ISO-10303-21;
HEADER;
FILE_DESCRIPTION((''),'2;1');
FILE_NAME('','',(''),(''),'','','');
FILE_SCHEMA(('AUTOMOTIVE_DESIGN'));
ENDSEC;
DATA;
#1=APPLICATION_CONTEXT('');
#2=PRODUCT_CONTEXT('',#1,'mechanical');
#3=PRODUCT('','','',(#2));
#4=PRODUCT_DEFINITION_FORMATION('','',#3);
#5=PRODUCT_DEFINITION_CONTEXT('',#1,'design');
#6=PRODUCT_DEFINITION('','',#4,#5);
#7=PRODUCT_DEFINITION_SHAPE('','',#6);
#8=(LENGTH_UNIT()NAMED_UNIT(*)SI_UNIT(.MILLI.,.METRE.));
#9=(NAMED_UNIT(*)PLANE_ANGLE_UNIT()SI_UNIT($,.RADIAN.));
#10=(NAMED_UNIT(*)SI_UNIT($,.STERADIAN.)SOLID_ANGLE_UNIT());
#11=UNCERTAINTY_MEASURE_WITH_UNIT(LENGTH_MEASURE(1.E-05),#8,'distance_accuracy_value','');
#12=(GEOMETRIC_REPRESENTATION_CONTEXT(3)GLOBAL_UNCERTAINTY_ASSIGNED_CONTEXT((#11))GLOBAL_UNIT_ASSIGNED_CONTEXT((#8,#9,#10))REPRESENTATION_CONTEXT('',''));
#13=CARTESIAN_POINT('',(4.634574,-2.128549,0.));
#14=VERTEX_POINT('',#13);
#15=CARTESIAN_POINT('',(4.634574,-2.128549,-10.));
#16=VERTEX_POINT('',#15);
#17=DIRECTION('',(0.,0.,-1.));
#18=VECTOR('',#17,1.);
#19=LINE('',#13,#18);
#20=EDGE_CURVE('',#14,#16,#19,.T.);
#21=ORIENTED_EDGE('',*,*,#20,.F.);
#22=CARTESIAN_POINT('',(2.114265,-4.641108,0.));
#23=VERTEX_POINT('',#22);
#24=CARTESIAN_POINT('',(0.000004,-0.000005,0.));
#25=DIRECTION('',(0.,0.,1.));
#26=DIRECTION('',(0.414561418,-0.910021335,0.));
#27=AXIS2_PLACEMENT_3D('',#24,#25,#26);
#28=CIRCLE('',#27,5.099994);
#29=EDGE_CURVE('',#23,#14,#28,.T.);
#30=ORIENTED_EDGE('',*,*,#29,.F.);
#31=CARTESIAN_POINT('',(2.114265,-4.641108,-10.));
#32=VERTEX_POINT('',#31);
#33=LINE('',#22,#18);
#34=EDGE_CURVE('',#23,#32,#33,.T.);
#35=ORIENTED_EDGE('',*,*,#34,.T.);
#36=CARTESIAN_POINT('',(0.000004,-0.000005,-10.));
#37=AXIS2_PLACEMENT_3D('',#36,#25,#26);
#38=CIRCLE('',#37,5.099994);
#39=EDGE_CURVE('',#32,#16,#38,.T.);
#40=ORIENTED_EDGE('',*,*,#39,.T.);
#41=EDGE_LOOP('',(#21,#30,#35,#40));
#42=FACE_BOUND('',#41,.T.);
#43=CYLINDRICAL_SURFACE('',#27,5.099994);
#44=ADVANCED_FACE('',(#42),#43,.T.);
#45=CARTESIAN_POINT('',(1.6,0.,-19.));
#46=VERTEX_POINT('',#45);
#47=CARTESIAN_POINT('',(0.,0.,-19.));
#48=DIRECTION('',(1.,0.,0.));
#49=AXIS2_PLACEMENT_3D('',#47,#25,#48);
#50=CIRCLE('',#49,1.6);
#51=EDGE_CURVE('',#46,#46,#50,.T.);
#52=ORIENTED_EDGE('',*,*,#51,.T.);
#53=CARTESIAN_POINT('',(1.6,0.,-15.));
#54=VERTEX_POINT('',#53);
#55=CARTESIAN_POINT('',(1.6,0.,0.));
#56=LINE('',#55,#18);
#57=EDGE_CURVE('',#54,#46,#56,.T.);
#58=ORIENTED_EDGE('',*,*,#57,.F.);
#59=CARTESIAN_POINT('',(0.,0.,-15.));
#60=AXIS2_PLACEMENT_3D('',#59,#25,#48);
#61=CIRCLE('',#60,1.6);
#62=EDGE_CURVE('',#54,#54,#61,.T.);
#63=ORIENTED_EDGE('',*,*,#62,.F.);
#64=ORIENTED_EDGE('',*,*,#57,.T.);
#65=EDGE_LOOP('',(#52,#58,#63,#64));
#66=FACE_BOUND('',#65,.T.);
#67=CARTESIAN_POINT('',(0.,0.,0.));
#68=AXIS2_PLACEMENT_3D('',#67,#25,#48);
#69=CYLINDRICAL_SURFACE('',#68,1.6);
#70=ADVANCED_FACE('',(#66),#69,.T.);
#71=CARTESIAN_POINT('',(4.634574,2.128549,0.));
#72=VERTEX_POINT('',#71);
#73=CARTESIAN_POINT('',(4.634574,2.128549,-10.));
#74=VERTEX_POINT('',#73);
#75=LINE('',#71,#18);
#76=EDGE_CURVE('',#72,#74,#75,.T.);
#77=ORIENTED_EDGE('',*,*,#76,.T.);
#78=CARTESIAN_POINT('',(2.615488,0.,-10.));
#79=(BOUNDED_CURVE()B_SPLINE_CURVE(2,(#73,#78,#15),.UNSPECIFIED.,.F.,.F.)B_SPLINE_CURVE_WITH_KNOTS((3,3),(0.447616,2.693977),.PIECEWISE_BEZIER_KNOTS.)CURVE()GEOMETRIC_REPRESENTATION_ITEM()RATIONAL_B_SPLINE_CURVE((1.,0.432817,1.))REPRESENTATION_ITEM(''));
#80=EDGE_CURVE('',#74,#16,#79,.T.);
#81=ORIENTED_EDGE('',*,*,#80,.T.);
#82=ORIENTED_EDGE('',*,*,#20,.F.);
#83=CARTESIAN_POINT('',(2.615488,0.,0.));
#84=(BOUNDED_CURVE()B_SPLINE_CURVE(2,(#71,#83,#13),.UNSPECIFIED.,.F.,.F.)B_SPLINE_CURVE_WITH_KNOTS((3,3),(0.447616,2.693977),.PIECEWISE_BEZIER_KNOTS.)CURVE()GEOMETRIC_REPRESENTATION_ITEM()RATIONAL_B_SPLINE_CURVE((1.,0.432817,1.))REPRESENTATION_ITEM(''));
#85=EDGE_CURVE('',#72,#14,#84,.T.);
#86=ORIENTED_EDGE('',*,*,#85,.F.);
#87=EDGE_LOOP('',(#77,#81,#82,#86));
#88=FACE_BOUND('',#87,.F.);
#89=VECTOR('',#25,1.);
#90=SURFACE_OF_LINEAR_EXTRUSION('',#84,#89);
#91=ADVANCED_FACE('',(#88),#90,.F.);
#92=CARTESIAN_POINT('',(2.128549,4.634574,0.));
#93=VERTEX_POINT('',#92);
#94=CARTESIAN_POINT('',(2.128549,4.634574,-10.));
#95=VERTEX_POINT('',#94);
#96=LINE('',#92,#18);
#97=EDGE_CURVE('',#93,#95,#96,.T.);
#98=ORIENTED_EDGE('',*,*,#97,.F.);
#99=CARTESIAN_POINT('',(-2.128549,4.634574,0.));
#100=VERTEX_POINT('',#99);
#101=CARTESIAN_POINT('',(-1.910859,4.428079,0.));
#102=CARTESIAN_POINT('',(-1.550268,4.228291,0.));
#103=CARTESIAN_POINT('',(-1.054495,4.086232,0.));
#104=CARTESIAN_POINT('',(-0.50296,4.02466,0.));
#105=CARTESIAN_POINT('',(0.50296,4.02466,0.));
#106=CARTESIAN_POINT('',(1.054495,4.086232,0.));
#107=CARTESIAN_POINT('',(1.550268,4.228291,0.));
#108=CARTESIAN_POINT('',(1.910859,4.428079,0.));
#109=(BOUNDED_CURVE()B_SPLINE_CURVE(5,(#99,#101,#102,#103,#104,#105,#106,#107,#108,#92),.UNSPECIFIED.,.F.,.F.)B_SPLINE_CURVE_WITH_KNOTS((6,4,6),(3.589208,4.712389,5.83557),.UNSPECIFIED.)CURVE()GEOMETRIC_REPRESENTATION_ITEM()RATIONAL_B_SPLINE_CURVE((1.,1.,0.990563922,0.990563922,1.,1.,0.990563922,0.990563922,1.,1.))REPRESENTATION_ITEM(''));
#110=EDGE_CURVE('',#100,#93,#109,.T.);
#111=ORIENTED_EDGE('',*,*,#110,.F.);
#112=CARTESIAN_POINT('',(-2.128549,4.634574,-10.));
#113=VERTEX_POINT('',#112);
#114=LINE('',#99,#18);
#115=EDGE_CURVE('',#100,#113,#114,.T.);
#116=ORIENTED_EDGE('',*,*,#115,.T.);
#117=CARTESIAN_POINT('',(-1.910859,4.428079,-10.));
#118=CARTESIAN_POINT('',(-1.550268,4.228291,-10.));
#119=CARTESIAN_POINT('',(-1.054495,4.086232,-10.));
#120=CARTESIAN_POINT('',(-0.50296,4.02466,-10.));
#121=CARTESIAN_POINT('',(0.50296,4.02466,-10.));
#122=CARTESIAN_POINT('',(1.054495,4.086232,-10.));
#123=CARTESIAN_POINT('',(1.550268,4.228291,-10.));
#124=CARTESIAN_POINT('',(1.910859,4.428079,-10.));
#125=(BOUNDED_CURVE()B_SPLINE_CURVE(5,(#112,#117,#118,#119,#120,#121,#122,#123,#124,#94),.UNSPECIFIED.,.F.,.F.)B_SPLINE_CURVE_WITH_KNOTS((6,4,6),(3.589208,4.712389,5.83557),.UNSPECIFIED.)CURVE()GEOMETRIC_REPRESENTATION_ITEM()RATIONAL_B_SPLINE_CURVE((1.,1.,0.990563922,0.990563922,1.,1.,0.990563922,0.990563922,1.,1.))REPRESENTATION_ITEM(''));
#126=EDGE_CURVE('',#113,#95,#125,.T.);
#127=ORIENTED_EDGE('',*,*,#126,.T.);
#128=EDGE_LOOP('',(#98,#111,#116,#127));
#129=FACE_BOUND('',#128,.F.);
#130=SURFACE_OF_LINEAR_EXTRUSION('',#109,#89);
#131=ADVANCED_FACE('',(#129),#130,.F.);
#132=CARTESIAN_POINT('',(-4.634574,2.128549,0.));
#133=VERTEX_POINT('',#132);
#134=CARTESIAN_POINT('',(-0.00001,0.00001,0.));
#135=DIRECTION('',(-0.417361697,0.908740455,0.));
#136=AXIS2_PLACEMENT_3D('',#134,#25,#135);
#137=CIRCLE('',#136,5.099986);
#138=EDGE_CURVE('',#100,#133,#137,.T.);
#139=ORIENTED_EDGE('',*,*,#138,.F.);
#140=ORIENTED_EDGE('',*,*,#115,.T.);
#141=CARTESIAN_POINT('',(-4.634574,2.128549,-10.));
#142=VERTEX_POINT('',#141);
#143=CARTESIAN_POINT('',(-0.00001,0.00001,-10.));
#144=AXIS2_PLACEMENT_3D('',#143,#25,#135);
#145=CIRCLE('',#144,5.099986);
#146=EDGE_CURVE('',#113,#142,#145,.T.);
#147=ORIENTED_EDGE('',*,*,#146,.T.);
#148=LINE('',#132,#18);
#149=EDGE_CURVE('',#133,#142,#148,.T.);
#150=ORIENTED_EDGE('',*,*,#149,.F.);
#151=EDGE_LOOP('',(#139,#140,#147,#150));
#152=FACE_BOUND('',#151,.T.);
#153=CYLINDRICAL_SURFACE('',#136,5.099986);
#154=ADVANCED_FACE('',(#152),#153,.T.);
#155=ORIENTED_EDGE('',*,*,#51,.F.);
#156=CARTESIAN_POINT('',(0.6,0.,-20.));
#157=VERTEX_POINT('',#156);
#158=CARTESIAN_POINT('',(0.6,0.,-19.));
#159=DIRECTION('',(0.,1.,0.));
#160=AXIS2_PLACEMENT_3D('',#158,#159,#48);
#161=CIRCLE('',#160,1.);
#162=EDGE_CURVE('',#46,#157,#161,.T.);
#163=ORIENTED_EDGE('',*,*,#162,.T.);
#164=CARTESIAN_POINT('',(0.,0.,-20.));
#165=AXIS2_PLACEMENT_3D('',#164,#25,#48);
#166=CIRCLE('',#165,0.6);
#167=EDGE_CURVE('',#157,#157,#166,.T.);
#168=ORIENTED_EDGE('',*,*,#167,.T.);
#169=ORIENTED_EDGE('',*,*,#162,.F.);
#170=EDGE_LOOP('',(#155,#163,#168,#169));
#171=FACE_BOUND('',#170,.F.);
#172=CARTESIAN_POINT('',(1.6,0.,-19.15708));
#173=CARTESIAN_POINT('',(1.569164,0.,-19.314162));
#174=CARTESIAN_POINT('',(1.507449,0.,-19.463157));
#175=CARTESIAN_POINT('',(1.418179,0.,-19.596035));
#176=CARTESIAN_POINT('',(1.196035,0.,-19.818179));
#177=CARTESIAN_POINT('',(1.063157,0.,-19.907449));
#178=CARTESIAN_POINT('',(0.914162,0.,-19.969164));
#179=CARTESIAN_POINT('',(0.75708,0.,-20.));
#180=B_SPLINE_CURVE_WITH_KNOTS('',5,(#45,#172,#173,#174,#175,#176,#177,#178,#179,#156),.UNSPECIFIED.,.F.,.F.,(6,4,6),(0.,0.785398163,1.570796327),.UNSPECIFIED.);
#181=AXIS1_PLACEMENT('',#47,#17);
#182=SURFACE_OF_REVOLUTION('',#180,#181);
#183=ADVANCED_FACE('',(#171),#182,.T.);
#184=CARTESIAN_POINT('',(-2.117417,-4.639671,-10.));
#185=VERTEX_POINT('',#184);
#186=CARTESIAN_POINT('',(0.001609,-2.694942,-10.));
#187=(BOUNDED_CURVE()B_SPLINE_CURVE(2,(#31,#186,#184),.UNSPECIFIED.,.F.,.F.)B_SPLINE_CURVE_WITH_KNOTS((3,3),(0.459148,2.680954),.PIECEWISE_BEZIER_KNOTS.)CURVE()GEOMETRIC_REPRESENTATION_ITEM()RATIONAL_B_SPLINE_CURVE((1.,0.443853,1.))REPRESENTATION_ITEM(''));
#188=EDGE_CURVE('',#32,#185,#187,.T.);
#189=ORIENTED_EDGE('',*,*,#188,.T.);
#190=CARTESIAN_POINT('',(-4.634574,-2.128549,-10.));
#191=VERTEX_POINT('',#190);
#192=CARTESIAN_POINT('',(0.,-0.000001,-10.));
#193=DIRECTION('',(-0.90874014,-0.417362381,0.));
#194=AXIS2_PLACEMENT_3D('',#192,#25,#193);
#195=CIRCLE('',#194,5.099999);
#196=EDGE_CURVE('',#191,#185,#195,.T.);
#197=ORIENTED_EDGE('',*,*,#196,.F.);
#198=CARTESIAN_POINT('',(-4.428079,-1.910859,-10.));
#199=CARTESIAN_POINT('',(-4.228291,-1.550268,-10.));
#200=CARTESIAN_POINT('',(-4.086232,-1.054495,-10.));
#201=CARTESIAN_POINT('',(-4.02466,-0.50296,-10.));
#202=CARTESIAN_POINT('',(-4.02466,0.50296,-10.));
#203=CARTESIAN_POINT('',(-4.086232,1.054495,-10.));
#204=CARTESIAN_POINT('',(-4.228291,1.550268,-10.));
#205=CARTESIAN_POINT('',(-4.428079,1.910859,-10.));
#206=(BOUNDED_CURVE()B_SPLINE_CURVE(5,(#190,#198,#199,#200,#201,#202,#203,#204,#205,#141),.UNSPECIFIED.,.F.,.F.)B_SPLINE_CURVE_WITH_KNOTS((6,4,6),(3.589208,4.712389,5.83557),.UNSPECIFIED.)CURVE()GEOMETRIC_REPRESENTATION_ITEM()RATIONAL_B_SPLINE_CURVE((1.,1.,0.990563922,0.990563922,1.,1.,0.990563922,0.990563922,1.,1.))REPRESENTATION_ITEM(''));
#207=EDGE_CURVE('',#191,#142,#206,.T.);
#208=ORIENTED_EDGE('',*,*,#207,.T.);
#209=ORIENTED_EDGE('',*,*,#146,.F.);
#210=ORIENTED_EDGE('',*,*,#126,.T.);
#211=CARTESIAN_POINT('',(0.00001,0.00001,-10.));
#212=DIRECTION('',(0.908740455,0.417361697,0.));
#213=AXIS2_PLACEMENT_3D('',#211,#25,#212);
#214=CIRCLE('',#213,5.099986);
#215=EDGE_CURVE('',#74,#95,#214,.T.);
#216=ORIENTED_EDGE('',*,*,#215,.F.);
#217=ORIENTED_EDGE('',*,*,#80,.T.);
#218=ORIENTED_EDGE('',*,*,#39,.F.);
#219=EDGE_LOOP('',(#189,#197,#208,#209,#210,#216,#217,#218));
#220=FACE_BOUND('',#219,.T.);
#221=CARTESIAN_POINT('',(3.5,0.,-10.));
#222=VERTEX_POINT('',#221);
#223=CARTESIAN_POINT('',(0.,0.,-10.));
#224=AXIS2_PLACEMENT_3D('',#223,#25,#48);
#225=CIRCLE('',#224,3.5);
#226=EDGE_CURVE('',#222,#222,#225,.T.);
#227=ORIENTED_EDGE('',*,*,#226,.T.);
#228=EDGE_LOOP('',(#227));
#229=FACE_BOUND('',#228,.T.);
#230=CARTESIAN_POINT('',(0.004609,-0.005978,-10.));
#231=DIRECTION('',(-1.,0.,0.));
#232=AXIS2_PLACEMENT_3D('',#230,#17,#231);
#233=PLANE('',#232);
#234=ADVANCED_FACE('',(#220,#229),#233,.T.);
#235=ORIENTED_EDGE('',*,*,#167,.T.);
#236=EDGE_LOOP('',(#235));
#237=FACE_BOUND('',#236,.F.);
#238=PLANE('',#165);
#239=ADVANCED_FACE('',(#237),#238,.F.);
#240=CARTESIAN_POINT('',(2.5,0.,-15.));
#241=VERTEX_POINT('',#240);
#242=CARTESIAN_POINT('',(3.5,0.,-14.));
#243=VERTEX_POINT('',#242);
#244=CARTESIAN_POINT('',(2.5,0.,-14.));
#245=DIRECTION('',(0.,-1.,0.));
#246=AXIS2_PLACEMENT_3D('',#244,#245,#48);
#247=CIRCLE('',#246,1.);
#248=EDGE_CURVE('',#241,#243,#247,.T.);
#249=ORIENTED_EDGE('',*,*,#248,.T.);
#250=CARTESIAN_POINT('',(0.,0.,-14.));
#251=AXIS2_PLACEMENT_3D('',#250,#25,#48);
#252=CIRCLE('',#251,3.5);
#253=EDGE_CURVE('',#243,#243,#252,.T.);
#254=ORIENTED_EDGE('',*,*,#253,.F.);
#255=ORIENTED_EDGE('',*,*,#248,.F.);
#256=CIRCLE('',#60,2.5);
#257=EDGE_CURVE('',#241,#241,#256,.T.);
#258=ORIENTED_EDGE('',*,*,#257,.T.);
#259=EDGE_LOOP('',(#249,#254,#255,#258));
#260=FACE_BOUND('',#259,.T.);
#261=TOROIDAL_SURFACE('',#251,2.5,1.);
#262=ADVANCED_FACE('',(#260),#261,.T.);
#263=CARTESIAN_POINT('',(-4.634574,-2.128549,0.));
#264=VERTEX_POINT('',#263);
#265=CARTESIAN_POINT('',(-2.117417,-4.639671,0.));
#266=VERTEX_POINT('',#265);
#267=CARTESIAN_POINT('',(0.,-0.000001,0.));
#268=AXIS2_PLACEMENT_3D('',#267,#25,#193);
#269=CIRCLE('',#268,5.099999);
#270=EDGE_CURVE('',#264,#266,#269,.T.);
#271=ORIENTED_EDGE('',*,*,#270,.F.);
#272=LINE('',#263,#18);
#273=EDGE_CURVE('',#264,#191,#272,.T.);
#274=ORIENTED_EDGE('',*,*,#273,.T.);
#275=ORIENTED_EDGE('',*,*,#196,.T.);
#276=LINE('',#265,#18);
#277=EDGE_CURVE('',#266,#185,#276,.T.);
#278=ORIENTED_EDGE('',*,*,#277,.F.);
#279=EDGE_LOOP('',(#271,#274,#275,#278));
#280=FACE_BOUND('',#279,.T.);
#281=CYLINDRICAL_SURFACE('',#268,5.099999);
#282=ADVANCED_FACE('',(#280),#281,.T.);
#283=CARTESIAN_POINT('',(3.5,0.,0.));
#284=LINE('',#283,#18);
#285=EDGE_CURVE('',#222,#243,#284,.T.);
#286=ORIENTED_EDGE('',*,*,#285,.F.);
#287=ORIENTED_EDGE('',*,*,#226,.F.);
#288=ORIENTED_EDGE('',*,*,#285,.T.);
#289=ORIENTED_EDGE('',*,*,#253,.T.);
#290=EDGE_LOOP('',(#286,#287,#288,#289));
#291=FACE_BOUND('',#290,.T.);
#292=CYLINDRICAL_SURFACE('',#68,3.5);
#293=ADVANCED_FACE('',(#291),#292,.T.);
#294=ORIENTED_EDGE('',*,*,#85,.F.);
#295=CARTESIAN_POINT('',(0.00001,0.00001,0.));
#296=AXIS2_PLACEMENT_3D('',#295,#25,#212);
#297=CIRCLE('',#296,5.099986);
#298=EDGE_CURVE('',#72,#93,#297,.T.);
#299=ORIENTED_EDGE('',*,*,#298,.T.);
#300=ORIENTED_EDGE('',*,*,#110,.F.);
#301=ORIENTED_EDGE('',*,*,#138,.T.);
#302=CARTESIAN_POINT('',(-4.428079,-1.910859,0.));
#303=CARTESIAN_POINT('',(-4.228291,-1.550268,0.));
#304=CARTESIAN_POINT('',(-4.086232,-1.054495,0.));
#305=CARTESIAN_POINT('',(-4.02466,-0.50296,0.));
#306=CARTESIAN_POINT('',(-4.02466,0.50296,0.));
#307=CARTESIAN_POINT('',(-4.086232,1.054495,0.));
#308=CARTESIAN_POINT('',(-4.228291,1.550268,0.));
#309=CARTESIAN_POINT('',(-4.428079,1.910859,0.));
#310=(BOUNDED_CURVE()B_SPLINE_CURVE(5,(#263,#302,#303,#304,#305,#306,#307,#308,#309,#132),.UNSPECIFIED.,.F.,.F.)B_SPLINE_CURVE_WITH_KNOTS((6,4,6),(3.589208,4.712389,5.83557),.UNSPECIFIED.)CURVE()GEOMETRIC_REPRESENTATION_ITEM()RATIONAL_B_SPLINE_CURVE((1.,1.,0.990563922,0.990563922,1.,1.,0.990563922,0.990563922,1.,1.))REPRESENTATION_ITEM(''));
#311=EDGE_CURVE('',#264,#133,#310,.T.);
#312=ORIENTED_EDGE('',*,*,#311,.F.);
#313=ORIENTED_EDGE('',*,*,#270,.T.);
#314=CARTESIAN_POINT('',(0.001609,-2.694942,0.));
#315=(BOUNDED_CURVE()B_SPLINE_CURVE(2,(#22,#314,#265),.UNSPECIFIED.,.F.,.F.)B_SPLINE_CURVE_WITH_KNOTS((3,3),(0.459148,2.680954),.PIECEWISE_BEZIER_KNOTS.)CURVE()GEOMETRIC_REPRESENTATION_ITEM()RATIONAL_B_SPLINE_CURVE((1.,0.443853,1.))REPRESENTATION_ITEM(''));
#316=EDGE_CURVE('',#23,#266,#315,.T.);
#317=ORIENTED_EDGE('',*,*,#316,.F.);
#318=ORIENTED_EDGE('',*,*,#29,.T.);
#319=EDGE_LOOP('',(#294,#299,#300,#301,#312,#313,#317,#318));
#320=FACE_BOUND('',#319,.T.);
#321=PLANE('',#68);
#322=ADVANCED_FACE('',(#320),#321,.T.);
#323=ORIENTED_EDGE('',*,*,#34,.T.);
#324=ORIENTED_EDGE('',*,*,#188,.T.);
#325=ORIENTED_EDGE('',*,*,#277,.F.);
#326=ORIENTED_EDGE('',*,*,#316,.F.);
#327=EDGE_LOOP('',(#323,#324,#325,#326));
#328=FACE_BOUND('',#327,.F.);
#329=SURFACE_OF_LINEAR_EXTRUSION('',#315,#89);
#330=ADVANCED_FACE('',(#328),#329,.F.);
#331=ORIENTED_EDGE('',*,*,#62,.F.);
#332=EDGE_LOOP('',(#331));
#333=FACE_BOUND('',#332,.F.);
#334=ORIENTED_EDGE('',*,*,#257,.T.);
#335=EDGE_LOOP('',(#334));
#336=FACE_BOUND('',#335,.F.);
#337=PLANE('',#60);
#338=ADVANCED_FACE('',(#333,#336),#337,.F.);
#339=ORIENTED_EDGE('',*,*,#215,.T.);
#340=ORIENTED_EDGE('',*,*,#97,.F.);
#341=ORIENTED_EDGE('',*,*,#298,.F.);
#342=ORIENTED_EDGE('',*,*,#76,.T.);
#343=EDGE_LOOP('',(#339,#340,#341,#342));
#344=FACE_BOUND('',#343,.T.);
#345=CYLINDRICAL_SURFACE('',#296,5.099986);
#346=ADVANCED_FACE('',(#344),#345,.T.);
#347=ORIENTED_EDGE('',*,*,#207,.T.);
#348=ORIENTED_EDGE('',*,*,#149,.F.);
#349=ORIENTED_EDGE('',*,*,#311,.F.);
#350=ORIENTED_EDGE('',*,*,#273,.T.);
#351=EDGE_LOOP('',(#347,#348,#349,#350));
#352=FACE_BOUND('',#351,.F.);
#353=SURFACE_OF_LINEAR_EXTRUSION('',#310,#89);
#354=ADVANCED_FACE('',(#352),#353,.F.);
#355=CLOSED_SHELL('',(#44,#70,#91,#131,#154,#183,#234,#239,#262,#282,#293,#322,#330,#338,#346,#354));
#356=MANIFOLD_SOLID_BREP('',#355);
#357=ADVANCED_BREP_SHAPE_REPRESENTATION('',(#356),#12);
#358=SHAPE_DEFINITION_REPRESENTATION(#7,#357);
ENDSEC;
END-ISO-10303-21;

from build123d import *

# Parameters (mm, degrees)
F0_R     = 3.5
F0_R_2   = 1.6
F1_DEPTH = 10
F2_DEPTH = 15
F3_DEPTH = 20
F4_R     = 1
F5_R     = 1


with BuildPart() as f1:
    # F0 (on Top) → F1 (new body)
    with BuildSketch(Plane.XY):
        with BuildLine():
            add(Edge.make_bspline(
                [(4.634574, 2.128549), (2.615488, 0), (4.634574, -2.128549)],
                knots=[0.447616, 0.447616, 0.447616, 2.693977, 2.693977, 2.693977], degree=2, weights=[1, 0.432817, 1]))
            ThreePointArc((4.634574, 2.128549), (3.606245, 3.606245), (2.128549, 4.634574))
            add(Edge.make_bspline(
                [(0, 4.02466), (1.485569, 4.02466), (2.128549, 4.634574)],
                knots=[4.712389, 4.712389, 4.712389, 5.83557, 5.83557, 5.83557], degree=2, weights=[1, 0.846409, 1]))
            add(Edge.make_bspline(
                [(-2.128549, 4.634574), (-1.485569, 4.02466), (0, 4.02466)],
                knots=[3.589208, 3.589208, 3.589208, 4.712389, 4.712389, 4.712389], degree=2, weights=[1, 0.846409, 1]))
            ThreePointArc((-2.128549, 4.634574), (-3.606245, 3.606245), (-4.634574, 2.128549))
            add(Edge.make_bspline(
                [(-4.02466, 0), (-4.02466, 1.485569), (-4.634574, 2.128549)],
                knots=[4.712389, 4.712389, 4.712389, 5.83557, 5.83557, 5.83557], degree=2, weights=[1, 0.846409, 1]))
            add(Edge.make_bspline(
                [(-4.634574, -2.128549), (-4.02466, -1.485569), (-4.02466, 0)],
                knots=[3.589208, 3.589208, 3.589208, 4.712389, 4.712389, 4.712389], degree=2, weights=[1, 0.846409, 1]))
            ThreePointArc((-4.634574, -2.128549), (-3.601913, -3.610571), (-2.117417, -4.639671))
            add(Edge.make_bspline(
                [(2.114265, -4.641108), (0.001609, -2.694942), (-2.117417, -4.639671)],
                knots=[0.459148, 0.459148, 0.459148, 2.680954, 2.680954, 2.680954], degree=2, weights=[1, 0.443853, 1]))
            ThreePointArc((2.114265, -4.641108), (3.600687, -3.611794), (4.634574, -2.128549))
        make_face()
        Circle(F0_R, mode=Mode.SUBTRACT)
        Circle(F0_R)
        Circle(F0_R_2, mode=Mode.SUBTRACT)
        Circle(F0_R_2)
    extrude(amount=-F1_DEPTH)

    # F0 (on Top) → F2 (join)
    with BuildSketch(Plane.XY):
        Circle(F0_R)
        Circle(F0_R_2, mode=Mode.SUBTRACT)
    extrude(amount=-F2_DEPTH)

    # F0 (on Top) → F3 (join)
    with BuildSketch(Plane.XY):
        Circle(F0_R_2)
    extrude(amount=-F3_DEPTH)

    # F4
    f4_edges = [f1.edges().sort_by_distance(p)[0] for p in [
        (-1.6, 0, -20),
    ]]
    fillet(f4_edges, radius=F4_R)

    # F5
    f5_edges = [f1.edges().sort_by_distance(p)[0] for p in [
        (-3.5, 0, -15),
    ]]
    fillet(f5_edges, radius=F5_R)


solid = f1.part
